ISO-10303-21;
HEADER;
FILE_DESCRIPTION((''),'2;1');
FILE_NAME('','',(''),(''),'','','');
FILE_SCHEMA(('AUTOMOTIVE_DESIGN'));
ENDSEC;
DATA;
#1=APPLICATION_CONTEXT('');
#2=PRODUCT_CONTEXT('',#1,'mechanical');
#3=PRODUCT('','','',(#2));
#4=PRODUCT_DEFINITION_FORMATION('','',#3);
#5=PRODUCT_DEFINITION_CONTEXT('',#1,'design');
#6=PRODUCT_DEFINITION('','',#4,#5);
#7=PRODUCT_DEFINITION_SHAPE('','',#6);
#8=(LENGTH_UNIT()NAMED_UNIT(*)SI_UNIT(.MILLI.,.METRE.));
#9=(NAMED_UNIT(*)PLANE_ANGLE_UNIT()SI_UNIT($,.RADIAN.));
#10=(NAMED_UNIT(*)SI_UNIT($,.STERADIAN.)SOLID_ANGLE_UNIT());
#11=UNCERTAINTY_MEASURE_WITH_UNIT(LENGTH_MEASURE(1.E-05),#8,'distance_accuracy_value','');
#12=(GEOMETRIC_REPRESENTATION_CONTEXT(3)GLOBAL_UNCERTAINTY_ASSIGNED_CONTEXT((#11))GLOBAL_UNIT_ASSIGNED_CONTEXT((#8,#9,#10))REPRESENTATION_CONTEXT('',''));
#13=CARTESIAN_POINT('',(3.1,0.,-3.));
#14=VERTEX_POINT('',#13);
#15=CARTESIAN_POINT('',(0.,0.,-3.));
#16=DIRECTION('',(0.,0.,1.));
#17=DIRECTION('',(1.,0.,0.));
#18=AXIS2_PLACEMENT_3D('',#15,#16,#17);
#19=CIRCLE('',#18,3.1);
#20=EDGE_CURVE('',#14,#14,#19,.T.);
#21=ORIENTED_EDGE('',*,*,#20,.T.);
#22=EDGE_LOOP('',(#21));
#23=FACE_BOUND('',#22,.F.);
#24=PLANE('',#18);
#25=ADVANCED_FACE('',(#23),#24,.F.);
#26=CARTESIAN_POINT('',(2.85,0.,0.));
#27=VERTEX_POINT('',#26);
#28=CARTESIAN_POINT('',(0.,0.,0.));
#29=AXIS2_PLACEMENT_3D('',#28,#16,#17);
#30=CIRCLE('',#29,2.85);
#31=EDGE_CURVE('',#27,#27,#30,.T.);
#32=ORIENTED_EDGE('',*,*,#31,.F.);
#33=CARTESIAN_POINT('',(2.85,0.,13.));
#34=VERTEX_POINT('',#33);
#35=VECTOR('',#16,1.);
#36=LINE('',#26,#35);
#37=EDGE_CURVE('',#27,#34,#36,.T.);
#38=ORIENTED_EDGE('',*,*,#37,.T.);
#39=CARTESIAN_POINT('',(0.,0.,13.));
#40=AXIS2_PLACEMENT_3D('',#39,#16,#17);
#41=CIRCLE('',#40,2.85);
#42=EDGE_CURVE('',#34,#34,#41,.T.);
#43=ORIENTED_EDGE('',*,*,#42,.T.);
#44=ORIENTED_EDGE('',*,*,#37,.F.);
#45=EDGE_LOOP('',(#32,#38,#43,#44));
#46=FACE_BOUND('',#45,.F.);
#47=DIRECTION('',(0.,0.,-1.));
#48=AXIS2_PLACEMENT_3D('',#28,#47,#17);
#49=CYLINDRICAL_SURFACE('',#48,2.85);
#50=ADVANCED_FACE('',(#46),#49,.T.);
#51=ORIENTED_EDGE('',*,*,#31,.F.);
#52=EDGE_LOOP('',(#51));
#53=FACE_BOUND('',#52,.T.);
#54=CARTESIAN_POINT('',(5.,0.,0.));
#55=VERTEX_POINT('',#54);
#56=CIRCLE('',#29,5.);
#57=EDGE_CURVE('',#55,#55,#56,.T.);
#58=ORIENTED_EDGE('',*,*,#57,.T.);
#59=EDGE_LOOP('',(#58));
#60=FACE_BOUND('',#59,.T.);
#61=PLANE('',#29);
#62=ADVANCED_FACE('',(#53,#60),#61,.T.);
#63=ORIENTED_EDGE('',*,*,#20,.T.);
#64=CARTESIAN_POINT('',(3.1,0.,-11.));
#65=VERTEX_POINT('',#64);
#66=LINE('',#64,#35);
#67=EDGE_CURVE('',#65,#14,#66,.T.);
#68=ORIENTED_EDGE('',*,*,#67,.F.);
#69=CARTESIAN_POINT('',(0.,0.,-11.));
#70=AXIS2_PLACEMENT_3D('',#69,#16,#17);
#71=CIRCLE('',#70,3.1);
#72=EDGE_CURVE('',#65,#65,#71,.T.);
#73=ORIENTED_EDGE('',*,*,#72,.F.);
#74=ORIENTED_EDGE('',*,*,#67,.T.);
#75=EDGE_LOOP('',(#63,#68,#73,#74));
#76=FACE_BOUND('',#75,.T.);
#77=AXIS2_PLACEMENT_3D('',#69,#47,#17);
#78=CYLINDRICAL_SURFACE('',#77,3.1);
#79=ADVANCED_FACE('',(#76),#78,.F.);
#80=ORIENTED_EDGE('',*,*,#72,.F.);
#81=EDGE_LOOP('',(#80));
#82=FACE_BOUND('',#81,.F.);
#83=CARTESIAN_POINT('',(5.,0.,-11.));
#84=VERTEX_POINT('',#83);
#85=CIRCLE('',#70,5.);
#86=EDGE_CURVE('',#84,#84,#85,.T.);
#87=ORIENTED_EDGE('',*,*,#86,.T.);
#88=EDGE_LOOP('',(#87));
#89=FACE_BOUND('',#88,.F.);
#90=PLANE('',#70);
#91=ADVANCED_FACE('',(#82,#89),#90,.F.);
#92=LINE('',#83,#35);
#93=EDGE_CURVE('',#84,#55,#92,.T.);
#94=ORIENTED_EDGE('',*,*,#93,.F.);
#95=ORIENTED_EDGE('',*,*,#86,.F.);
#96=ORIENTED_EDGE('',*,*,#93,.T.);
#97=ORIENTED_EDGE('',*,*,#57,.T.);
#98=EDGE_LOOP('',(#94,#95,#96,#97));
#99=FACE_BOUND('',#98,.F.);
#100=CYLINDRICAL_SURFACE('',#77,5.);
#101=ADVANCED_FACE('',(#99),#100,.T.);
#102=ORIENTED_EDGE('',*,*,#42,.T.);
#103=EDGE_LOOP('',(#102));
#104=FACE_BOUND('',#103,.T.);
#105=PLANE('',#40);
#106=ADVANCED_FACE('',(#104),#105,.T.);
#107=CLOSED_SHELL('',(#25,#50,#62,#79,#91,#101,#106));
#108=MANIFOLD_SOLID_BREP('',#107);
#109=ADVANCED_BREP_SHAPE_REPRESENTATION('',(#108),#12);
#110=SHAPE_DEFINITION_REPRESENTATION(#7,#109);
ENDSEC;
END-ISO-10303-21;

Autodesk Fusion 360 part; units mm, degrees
sketch "Sketch1" plane through (0, 0, 0) normal (0, 0, 1) x (1, 0, 0)
  circle A0 centre (0, 0) radius 2.85
  circle A1 centre (0, 0) radius 5
  dimension "d1" = 5.7
  dimension "d2" = 10
extrude "Extrude1" add sketch "Sketch1" along normal blind 13 contours A0
ref_plane "WorkPlane1" through (0, 0, -11) normal (0, 0, 1) x (1, 0, 0)
sketch "Sketch2" plane through (0, 0, -11) normal (0, 0, 1) x (1, 0, 0)
  circle A0 centre (0, 0) radius 5
  circle A1 centre (0, 0) radius 3.1
  dimension "d6" = 10
  dimension "d7" = 6.2
extrude "Extrude2" add sketch "Sketch2" along normal blind 11 contours A0 | A1
extrude "Extrude3" cut sketch "Sketch2" along normal blind 8 contours A1
